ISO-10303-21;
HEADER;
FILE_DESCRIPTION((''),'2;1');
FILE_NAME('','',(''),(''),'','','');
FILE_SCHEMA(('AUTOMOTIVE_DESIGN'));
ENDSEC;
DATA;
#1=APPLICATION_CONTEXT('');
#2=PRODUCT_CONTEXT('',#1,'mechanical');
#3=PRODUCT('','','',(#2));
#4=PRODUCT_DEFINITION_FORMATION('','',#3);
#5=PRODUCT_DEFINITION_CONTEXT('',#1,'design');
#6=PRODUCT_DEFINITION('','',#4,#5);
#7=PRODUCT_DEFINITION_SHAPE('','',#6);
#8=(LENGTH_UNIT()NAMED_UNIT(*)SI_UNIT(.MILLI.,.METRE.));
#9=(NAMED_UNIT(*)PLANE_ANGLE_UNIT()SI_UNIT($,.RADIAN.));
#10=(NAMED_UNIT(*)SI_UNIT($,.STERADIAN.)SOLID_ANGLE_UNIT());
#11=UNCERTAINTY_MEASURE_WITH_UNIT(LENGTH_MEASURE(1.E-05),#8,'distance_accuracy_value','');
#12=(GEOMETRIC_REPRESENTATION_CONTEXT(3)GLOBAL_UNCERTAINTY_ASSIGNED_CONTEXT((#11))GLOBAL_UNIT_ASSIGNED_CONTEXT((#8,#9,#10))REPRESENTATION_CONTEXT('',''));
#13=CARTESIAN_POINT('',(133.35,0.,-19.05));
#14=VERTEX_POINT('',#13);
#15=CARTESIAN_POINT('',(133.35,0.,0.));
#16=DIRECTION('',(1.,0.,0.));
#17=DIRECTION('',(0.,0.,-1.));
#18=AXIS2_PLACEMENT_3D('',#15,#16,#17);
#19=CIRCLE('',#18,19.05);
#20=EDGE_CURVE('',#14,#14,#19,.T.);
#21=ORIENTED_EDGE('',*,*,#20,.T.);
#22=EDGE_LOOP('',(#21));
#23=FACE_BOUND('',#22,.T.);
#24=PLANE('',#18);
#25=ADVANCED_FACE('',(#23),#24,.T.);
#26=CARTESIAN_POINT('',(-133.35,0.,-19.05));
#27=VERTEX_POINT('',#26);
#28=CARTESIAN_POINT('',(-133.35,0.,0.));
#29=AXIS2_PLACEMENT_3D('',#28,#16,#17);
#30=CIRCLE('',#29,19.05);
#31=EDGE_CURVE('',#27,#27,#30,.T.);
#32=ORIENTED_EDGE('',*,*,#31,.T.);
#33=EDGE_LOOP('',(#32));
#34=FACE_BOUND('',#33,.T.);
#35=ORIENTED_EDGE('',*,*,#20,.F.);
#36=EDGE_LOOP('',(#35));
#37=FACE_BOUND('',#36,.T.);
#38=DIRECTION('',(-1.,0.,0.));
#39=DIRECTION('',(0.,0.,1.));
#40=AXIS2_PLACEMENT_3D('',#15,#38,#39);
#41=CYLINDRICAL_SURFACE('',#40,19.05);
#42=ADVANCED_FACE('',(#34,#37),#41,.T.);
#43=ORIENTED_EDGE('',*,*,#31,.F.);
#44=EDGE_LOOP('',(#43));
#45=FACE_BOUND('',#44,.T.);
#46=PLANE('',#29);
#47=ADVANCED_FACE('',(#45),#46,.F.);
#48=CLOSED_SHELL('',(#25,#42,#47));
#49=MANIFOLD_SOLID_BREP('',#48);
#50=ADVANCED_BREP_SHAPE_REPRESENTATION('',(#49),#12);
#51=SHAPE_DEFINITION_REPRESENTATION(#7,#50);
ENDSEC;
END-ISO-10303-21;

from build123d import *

# Parameters (mm, degrees)
SKETCH1_R           = 19.05
BOSS_EXTRUDE1_DEPTH = 133.35


with BuildPart() as part:
    # Sketch1 → Boss-Extrude1 (new body, symmetric)
    with BuildSketch(Plane(origin=(0, 0, 0), x_dir=(0, 0, -1), z_dir=(1, 0, 0))):
        Circle(SKETCH1_R)
    extrude(amount=BOSS_EXTRUDE1_DEPTH, both=True)


solid = part.part
